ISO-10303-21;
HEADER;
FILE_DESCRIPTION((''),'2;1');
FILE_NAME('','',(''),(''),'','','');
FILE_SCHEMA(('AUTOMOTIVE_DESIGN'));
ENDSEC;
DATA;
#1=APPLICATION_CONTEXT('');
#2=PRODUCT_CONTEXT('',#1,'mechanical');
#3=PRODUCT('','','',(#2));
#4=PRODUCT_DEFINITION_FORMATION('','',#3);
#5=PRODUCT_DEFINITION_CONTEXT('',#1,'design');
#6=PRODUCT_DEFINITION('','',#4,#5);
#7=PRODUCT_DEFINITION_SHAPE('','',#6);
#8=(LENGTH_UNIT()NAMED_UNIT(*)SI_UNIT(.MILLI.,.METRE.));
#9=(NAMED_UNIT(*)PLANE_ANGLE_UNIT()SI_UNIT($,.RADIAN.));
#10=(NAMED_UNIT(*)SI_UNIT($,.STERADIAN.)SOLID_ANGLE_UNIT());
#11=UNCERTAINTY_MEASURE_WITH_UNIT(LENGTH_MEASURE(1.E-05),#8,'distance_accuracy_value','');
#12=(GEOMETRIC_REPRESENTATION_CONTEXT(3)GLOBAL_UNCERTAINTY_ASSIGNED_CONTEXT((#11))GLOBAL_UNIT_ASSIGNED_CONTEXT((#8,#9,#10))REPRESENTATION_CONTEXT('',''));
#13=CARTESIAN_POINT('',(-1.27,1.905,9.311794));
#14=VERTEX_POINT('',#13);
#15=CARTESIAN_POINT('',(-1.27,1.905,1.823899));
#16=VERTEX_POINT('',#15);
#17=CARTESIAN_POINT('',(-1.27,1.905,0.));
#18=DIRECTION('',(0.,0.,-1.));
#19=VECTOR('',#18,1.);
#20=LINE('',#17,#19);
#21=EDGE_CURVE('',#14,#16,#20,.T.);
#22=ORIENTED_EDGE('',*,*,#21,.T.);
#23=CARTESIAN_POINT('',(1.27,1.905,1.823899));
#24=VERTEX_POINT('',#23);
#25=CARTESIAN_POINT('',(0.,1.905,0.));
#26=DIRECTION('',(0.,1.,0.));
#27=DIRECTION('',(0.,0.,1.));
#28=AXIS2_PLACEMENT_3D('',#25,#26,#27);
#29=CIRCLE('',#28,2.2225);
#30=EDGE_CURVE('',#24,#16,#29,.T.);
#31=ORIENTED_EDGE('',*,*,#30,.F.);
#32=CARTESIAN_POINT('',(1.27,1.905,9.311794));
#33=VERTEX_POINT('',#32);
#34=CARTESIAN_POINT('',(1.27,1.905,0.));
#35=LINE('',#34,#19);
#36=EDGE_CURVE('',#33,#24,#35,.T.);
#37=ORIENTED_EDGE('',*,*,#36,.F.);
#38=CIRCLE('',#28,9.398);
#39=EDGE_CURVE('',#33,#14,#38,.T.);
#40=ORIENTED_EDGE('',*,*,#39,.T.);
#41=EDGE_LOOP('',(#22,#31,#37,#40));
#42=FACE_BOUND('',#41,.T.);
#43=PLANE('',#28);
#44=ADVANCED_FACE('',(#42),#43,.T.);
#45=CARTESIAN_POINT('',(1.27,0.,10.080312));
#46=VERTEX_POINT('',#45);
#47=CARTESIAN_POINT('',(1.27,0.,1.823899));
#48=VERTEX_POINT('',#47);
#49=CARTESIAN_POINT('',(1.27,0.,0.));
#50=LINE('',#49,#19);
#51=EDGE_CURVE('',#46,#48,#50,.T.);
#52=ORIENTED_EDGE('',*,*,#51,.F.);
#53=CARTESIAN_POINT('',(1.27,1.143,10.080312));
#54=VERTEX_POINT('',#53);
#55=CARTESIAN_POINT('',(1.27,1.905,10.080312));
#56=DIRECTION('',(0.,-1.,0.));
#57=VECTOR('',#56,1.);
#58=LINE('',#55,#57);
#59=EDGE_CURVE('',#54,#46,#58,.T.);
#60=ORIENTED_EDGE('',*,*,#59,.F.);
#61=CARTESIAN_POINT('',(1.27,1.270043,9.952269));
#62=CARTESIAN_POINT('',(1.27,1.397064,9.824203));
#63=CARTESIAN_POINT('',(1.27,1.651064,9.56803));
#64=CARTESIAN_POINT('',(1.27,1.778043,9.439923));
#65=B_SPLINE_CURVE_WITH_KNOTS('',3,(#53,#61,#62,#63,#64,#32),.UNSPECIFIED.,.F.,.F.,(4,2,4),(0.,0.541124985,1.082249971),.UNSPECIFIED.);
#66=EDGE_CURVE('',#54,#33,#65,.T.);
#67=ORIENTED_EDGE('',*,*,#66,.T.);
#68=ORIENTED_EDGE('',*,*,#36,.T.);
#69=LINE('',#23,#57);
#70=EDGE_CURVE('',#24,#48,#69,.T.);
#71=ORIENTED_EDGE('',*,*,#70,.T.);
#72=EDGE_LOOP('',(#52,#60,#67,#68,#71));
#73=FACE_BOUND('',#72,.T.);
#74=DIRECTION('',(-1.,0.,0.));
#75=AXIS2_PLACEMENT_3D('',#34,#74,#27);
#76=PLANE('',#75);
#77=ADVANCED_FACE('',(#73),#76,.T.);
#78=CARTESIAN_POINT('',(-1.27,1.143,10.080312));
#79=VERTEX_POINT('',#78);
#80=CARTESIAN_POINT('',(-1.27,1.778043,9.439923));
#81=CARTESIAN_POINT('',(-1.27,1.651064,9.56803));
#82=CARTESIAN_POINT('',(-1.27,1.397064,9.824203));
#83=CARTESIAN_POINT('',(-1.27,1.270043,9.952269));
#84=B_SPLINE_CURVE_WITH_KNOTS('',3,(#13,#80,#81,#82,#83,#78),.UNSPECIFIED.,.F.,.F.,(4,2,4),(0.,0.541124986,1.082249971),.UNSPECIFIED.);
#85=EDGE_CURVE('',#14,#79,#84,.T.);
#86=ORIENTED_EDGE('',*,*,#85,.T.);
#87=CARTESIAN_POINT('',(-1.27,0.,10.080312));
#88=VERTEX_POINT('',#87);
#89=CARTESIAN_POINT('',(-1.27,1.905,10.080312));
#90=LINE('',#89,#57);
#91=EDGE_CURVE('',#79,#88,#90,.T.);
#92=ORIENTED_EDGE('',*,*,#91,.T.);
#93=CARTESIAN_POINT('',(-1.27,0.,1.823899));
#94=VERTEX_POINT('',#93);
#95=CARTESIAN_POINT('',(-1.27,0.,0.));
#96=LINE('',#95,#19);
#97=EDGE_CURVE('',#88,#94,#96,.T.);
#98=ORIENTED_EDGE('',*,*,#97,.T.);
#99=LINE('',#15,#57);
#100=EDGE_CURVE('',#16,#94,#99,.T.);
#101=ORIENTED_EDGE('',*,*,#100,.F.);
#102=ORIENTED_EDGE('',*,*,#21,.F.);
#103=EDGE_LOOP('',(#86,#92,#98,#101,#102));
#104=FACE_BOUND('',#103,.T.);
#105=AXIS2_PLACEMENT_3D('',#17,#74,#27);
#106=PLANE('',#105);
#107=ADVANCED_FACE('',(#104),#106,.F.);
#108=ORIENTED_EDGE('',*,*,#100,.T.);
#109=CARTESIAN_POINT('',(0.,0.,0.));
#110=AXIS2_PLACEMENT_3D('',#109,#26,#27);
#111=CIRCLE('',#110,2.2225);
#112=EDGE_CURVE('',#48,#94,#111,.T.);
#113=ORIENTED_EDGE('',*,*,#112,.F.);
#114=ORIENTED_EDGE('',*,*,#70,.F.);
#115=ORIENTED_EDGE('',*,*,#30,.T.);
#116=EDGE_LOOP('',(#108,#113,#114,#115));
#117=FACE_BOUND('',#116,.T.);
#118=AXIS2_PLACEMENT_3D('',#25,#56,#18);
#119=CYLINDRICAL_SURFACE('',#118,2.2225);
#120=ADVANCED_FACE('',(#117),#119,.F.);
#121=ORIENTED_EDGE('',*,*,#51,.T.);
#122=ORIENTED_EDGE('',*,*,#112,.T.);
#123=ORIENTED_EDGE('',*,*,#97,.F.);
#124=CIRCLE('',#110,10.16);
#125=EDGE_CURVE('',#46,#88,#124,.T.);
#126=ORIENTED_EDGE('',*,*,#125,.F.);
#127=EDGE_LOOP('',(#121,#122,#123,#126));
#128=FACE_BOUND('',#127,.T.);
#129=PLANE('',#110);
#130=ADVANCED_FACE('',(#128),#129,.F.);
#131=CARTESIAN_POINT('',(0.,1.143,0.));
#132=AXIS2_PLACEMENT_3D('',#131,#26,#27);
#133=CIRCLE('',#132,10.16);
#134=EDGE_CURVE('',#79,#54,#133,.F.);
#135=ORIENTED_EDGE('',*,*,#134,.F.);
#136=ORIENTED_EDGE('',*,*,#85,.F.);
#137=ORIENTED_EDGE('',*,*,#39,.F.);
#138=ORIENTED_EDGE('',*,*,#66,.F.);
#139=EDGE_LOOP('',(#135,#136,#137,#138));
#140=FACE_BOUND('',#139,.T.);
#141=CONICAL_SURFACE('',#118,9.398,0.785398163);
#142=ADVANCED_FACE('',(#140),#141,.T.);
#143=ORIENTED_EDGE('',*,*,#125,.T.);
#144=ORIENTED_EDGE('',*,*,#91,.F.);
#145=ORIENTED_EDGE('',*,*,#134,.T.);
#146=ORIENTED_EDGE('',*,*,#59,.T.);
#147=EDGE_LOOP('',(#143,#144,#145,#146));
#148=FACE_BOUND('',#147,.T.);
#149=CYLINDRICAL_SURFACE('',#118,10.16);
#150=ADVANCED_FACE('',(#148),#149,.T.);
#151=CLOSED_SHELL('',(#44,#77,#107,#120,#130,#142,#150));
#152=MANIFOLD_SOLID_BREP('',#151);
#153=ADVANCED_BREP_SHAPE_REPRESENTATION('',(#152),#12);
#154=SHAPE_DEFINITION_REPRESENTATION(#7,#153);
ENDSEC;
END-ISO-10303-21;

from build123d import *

# Parameters (mm, degrees)
BOSS_EXTRUDE1_DEPTH = 1.905
CHAMFER1_SIZE       = 0.762


with BuildPart() as part:
    # Sketch1 → Boss-Extrude1 (new body)
    with BuildSketch(Plane(origin=(0, 0, 0), x_dir=(1, 0, 0), z_dir=(0, 1, 0))):
        with BuildLine():
            ThreePointArc((10.16, 0), (-6.72020833, 7.62), (-1.27, -10.080312495))
            Line((-1.27, -10.080312495), (-1.27, -1.82389864))
            ThreePointArc((-1.27, -1.82389864), (-1.028817586, 1.970035691), (2.2225, 0))
            ThreePointArc((2.2225, 0), (1.970035691, -1.028817586), (1.27, -1.82389864))
            Line((1.27, -1.82389864), (1.27, -10.080312495))
            ThreePointArc((1.27, -10.080312495), (7.62, -6.72020833), (10.16, 0))
        make_face()
    extrude(amount=BOSS_EXTRUDE1_DEPTH)

    # Chamfer1
    chamfer1_edges = [part.edges().sort_by_distance(p)[0] for p in [
        (0, 1.905, -10.16),
    ]]
    chamfer(chamfer1_edges, length=CHAMFER1_SIZE)


solid = part.part
